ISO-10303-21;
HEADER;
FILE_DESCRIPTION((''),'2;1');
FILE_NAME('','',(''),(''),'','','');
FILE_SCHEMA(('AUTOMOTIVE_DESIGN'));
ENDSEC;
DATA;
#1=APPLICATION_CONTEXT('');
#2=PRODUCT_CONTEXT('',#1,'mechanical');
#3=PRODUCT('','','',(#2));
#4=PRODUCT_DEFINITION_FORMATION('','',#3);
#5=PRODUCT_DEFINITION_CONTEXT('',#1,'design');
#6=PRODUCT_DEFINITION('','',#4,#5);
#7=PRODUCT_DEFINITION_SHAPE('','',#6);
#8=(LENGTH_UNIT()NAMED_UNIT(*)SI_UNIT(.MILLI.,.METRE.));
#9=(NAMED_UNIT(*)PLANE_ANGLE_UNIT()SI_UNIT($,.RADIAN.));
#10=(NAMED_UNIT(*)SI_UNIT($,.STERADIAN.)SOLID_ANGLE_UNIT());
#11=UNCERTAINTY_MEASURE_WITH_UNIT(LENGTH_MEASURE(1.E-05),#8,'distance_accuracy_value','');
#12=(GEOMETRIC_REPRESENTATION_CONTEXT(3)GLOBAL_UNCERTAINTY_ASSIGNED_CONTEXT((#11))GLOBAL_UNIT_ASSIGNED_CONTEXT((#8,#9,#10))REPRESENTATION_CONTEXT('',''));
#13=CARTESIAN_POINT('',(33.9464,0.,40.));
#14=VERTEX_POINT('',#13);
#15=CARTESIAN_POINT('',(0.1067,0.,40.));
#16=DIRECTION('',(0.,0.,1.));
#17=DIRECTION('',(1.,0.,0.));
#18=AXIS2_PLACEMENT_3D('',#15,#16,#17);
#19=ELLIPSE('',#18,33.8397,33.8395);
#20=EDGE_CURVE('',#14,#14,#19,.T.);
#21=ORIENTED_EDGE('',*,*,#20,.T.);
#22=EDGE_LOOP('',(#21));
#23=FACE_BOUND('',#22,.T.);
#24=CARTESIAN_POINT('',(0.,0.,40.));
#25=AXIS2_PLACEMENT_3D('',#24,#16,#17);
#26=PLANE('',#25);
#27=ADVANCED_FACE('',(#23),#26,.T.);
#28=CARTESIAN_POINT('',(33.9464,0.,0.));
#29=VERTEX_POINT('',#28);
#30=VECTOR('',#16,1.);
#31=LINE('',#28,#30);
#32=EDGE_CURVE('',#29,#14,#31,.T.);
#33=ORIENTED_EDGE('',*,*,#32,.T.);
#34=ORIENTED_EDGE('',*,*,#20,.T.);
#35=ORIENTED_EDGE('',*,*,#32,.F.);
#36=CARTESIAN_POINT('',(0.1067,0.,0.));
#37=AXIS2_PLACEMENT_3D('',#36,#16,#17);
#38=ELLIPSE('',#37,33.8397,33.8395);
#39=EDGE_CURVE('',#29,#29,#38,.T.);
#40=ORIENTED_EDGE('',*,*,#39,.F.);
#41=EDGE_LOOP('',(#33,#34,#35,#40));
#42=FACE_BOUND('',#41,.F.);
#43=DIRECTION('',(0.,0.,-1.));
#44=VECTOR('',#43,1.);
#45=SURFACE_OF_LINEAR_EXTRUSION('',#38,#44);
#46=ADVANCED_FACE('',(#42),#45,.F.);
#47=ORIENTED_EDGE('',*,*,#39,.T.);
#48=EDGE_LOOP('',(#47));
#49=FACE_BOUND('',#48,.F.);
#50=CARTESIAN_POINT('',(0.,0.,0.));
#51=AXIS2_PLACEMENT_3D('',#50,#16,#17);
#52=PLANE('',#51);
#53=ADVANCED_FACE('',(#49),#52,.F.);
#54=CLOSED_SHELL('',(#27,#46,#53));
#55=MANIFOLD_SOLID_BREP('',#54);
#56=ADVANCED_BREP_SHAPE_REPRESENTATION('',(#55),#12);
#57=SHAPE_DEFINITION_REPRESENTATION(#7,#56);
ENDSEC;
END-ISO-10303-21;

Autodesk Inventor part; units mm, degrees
ref_plane "YZ Plane" through (0, 0, 0) normal (1, 0, 0) x (0, 1, 0)
ref_plane "XZ Plane" through (0, 0, 0) normal (0, 1, 0) x (-1, 0, 0)
ref_plane "XY Plane" through (0, 0, 0) normal (0, 0, 1) x (1, 0, 0)
ref_plane "Work Plane1" through (0, 0, 0) normal (0, 0, 1) x (1, 0, 0)
sketch "Sketch1" plane through (0, 0, 0) normal (0, 0, 1) x (1, 0, 0)
  ellipse E0 centre (0.1067, 0) end of major axis (33.9464, 0) minor radius 33.8395 projected
  point P0 (0, 0)
extrude "Extrusion1" add sketch "Sketch1" along normal blind 40
properties part number "00_Axiovert_condenser"
